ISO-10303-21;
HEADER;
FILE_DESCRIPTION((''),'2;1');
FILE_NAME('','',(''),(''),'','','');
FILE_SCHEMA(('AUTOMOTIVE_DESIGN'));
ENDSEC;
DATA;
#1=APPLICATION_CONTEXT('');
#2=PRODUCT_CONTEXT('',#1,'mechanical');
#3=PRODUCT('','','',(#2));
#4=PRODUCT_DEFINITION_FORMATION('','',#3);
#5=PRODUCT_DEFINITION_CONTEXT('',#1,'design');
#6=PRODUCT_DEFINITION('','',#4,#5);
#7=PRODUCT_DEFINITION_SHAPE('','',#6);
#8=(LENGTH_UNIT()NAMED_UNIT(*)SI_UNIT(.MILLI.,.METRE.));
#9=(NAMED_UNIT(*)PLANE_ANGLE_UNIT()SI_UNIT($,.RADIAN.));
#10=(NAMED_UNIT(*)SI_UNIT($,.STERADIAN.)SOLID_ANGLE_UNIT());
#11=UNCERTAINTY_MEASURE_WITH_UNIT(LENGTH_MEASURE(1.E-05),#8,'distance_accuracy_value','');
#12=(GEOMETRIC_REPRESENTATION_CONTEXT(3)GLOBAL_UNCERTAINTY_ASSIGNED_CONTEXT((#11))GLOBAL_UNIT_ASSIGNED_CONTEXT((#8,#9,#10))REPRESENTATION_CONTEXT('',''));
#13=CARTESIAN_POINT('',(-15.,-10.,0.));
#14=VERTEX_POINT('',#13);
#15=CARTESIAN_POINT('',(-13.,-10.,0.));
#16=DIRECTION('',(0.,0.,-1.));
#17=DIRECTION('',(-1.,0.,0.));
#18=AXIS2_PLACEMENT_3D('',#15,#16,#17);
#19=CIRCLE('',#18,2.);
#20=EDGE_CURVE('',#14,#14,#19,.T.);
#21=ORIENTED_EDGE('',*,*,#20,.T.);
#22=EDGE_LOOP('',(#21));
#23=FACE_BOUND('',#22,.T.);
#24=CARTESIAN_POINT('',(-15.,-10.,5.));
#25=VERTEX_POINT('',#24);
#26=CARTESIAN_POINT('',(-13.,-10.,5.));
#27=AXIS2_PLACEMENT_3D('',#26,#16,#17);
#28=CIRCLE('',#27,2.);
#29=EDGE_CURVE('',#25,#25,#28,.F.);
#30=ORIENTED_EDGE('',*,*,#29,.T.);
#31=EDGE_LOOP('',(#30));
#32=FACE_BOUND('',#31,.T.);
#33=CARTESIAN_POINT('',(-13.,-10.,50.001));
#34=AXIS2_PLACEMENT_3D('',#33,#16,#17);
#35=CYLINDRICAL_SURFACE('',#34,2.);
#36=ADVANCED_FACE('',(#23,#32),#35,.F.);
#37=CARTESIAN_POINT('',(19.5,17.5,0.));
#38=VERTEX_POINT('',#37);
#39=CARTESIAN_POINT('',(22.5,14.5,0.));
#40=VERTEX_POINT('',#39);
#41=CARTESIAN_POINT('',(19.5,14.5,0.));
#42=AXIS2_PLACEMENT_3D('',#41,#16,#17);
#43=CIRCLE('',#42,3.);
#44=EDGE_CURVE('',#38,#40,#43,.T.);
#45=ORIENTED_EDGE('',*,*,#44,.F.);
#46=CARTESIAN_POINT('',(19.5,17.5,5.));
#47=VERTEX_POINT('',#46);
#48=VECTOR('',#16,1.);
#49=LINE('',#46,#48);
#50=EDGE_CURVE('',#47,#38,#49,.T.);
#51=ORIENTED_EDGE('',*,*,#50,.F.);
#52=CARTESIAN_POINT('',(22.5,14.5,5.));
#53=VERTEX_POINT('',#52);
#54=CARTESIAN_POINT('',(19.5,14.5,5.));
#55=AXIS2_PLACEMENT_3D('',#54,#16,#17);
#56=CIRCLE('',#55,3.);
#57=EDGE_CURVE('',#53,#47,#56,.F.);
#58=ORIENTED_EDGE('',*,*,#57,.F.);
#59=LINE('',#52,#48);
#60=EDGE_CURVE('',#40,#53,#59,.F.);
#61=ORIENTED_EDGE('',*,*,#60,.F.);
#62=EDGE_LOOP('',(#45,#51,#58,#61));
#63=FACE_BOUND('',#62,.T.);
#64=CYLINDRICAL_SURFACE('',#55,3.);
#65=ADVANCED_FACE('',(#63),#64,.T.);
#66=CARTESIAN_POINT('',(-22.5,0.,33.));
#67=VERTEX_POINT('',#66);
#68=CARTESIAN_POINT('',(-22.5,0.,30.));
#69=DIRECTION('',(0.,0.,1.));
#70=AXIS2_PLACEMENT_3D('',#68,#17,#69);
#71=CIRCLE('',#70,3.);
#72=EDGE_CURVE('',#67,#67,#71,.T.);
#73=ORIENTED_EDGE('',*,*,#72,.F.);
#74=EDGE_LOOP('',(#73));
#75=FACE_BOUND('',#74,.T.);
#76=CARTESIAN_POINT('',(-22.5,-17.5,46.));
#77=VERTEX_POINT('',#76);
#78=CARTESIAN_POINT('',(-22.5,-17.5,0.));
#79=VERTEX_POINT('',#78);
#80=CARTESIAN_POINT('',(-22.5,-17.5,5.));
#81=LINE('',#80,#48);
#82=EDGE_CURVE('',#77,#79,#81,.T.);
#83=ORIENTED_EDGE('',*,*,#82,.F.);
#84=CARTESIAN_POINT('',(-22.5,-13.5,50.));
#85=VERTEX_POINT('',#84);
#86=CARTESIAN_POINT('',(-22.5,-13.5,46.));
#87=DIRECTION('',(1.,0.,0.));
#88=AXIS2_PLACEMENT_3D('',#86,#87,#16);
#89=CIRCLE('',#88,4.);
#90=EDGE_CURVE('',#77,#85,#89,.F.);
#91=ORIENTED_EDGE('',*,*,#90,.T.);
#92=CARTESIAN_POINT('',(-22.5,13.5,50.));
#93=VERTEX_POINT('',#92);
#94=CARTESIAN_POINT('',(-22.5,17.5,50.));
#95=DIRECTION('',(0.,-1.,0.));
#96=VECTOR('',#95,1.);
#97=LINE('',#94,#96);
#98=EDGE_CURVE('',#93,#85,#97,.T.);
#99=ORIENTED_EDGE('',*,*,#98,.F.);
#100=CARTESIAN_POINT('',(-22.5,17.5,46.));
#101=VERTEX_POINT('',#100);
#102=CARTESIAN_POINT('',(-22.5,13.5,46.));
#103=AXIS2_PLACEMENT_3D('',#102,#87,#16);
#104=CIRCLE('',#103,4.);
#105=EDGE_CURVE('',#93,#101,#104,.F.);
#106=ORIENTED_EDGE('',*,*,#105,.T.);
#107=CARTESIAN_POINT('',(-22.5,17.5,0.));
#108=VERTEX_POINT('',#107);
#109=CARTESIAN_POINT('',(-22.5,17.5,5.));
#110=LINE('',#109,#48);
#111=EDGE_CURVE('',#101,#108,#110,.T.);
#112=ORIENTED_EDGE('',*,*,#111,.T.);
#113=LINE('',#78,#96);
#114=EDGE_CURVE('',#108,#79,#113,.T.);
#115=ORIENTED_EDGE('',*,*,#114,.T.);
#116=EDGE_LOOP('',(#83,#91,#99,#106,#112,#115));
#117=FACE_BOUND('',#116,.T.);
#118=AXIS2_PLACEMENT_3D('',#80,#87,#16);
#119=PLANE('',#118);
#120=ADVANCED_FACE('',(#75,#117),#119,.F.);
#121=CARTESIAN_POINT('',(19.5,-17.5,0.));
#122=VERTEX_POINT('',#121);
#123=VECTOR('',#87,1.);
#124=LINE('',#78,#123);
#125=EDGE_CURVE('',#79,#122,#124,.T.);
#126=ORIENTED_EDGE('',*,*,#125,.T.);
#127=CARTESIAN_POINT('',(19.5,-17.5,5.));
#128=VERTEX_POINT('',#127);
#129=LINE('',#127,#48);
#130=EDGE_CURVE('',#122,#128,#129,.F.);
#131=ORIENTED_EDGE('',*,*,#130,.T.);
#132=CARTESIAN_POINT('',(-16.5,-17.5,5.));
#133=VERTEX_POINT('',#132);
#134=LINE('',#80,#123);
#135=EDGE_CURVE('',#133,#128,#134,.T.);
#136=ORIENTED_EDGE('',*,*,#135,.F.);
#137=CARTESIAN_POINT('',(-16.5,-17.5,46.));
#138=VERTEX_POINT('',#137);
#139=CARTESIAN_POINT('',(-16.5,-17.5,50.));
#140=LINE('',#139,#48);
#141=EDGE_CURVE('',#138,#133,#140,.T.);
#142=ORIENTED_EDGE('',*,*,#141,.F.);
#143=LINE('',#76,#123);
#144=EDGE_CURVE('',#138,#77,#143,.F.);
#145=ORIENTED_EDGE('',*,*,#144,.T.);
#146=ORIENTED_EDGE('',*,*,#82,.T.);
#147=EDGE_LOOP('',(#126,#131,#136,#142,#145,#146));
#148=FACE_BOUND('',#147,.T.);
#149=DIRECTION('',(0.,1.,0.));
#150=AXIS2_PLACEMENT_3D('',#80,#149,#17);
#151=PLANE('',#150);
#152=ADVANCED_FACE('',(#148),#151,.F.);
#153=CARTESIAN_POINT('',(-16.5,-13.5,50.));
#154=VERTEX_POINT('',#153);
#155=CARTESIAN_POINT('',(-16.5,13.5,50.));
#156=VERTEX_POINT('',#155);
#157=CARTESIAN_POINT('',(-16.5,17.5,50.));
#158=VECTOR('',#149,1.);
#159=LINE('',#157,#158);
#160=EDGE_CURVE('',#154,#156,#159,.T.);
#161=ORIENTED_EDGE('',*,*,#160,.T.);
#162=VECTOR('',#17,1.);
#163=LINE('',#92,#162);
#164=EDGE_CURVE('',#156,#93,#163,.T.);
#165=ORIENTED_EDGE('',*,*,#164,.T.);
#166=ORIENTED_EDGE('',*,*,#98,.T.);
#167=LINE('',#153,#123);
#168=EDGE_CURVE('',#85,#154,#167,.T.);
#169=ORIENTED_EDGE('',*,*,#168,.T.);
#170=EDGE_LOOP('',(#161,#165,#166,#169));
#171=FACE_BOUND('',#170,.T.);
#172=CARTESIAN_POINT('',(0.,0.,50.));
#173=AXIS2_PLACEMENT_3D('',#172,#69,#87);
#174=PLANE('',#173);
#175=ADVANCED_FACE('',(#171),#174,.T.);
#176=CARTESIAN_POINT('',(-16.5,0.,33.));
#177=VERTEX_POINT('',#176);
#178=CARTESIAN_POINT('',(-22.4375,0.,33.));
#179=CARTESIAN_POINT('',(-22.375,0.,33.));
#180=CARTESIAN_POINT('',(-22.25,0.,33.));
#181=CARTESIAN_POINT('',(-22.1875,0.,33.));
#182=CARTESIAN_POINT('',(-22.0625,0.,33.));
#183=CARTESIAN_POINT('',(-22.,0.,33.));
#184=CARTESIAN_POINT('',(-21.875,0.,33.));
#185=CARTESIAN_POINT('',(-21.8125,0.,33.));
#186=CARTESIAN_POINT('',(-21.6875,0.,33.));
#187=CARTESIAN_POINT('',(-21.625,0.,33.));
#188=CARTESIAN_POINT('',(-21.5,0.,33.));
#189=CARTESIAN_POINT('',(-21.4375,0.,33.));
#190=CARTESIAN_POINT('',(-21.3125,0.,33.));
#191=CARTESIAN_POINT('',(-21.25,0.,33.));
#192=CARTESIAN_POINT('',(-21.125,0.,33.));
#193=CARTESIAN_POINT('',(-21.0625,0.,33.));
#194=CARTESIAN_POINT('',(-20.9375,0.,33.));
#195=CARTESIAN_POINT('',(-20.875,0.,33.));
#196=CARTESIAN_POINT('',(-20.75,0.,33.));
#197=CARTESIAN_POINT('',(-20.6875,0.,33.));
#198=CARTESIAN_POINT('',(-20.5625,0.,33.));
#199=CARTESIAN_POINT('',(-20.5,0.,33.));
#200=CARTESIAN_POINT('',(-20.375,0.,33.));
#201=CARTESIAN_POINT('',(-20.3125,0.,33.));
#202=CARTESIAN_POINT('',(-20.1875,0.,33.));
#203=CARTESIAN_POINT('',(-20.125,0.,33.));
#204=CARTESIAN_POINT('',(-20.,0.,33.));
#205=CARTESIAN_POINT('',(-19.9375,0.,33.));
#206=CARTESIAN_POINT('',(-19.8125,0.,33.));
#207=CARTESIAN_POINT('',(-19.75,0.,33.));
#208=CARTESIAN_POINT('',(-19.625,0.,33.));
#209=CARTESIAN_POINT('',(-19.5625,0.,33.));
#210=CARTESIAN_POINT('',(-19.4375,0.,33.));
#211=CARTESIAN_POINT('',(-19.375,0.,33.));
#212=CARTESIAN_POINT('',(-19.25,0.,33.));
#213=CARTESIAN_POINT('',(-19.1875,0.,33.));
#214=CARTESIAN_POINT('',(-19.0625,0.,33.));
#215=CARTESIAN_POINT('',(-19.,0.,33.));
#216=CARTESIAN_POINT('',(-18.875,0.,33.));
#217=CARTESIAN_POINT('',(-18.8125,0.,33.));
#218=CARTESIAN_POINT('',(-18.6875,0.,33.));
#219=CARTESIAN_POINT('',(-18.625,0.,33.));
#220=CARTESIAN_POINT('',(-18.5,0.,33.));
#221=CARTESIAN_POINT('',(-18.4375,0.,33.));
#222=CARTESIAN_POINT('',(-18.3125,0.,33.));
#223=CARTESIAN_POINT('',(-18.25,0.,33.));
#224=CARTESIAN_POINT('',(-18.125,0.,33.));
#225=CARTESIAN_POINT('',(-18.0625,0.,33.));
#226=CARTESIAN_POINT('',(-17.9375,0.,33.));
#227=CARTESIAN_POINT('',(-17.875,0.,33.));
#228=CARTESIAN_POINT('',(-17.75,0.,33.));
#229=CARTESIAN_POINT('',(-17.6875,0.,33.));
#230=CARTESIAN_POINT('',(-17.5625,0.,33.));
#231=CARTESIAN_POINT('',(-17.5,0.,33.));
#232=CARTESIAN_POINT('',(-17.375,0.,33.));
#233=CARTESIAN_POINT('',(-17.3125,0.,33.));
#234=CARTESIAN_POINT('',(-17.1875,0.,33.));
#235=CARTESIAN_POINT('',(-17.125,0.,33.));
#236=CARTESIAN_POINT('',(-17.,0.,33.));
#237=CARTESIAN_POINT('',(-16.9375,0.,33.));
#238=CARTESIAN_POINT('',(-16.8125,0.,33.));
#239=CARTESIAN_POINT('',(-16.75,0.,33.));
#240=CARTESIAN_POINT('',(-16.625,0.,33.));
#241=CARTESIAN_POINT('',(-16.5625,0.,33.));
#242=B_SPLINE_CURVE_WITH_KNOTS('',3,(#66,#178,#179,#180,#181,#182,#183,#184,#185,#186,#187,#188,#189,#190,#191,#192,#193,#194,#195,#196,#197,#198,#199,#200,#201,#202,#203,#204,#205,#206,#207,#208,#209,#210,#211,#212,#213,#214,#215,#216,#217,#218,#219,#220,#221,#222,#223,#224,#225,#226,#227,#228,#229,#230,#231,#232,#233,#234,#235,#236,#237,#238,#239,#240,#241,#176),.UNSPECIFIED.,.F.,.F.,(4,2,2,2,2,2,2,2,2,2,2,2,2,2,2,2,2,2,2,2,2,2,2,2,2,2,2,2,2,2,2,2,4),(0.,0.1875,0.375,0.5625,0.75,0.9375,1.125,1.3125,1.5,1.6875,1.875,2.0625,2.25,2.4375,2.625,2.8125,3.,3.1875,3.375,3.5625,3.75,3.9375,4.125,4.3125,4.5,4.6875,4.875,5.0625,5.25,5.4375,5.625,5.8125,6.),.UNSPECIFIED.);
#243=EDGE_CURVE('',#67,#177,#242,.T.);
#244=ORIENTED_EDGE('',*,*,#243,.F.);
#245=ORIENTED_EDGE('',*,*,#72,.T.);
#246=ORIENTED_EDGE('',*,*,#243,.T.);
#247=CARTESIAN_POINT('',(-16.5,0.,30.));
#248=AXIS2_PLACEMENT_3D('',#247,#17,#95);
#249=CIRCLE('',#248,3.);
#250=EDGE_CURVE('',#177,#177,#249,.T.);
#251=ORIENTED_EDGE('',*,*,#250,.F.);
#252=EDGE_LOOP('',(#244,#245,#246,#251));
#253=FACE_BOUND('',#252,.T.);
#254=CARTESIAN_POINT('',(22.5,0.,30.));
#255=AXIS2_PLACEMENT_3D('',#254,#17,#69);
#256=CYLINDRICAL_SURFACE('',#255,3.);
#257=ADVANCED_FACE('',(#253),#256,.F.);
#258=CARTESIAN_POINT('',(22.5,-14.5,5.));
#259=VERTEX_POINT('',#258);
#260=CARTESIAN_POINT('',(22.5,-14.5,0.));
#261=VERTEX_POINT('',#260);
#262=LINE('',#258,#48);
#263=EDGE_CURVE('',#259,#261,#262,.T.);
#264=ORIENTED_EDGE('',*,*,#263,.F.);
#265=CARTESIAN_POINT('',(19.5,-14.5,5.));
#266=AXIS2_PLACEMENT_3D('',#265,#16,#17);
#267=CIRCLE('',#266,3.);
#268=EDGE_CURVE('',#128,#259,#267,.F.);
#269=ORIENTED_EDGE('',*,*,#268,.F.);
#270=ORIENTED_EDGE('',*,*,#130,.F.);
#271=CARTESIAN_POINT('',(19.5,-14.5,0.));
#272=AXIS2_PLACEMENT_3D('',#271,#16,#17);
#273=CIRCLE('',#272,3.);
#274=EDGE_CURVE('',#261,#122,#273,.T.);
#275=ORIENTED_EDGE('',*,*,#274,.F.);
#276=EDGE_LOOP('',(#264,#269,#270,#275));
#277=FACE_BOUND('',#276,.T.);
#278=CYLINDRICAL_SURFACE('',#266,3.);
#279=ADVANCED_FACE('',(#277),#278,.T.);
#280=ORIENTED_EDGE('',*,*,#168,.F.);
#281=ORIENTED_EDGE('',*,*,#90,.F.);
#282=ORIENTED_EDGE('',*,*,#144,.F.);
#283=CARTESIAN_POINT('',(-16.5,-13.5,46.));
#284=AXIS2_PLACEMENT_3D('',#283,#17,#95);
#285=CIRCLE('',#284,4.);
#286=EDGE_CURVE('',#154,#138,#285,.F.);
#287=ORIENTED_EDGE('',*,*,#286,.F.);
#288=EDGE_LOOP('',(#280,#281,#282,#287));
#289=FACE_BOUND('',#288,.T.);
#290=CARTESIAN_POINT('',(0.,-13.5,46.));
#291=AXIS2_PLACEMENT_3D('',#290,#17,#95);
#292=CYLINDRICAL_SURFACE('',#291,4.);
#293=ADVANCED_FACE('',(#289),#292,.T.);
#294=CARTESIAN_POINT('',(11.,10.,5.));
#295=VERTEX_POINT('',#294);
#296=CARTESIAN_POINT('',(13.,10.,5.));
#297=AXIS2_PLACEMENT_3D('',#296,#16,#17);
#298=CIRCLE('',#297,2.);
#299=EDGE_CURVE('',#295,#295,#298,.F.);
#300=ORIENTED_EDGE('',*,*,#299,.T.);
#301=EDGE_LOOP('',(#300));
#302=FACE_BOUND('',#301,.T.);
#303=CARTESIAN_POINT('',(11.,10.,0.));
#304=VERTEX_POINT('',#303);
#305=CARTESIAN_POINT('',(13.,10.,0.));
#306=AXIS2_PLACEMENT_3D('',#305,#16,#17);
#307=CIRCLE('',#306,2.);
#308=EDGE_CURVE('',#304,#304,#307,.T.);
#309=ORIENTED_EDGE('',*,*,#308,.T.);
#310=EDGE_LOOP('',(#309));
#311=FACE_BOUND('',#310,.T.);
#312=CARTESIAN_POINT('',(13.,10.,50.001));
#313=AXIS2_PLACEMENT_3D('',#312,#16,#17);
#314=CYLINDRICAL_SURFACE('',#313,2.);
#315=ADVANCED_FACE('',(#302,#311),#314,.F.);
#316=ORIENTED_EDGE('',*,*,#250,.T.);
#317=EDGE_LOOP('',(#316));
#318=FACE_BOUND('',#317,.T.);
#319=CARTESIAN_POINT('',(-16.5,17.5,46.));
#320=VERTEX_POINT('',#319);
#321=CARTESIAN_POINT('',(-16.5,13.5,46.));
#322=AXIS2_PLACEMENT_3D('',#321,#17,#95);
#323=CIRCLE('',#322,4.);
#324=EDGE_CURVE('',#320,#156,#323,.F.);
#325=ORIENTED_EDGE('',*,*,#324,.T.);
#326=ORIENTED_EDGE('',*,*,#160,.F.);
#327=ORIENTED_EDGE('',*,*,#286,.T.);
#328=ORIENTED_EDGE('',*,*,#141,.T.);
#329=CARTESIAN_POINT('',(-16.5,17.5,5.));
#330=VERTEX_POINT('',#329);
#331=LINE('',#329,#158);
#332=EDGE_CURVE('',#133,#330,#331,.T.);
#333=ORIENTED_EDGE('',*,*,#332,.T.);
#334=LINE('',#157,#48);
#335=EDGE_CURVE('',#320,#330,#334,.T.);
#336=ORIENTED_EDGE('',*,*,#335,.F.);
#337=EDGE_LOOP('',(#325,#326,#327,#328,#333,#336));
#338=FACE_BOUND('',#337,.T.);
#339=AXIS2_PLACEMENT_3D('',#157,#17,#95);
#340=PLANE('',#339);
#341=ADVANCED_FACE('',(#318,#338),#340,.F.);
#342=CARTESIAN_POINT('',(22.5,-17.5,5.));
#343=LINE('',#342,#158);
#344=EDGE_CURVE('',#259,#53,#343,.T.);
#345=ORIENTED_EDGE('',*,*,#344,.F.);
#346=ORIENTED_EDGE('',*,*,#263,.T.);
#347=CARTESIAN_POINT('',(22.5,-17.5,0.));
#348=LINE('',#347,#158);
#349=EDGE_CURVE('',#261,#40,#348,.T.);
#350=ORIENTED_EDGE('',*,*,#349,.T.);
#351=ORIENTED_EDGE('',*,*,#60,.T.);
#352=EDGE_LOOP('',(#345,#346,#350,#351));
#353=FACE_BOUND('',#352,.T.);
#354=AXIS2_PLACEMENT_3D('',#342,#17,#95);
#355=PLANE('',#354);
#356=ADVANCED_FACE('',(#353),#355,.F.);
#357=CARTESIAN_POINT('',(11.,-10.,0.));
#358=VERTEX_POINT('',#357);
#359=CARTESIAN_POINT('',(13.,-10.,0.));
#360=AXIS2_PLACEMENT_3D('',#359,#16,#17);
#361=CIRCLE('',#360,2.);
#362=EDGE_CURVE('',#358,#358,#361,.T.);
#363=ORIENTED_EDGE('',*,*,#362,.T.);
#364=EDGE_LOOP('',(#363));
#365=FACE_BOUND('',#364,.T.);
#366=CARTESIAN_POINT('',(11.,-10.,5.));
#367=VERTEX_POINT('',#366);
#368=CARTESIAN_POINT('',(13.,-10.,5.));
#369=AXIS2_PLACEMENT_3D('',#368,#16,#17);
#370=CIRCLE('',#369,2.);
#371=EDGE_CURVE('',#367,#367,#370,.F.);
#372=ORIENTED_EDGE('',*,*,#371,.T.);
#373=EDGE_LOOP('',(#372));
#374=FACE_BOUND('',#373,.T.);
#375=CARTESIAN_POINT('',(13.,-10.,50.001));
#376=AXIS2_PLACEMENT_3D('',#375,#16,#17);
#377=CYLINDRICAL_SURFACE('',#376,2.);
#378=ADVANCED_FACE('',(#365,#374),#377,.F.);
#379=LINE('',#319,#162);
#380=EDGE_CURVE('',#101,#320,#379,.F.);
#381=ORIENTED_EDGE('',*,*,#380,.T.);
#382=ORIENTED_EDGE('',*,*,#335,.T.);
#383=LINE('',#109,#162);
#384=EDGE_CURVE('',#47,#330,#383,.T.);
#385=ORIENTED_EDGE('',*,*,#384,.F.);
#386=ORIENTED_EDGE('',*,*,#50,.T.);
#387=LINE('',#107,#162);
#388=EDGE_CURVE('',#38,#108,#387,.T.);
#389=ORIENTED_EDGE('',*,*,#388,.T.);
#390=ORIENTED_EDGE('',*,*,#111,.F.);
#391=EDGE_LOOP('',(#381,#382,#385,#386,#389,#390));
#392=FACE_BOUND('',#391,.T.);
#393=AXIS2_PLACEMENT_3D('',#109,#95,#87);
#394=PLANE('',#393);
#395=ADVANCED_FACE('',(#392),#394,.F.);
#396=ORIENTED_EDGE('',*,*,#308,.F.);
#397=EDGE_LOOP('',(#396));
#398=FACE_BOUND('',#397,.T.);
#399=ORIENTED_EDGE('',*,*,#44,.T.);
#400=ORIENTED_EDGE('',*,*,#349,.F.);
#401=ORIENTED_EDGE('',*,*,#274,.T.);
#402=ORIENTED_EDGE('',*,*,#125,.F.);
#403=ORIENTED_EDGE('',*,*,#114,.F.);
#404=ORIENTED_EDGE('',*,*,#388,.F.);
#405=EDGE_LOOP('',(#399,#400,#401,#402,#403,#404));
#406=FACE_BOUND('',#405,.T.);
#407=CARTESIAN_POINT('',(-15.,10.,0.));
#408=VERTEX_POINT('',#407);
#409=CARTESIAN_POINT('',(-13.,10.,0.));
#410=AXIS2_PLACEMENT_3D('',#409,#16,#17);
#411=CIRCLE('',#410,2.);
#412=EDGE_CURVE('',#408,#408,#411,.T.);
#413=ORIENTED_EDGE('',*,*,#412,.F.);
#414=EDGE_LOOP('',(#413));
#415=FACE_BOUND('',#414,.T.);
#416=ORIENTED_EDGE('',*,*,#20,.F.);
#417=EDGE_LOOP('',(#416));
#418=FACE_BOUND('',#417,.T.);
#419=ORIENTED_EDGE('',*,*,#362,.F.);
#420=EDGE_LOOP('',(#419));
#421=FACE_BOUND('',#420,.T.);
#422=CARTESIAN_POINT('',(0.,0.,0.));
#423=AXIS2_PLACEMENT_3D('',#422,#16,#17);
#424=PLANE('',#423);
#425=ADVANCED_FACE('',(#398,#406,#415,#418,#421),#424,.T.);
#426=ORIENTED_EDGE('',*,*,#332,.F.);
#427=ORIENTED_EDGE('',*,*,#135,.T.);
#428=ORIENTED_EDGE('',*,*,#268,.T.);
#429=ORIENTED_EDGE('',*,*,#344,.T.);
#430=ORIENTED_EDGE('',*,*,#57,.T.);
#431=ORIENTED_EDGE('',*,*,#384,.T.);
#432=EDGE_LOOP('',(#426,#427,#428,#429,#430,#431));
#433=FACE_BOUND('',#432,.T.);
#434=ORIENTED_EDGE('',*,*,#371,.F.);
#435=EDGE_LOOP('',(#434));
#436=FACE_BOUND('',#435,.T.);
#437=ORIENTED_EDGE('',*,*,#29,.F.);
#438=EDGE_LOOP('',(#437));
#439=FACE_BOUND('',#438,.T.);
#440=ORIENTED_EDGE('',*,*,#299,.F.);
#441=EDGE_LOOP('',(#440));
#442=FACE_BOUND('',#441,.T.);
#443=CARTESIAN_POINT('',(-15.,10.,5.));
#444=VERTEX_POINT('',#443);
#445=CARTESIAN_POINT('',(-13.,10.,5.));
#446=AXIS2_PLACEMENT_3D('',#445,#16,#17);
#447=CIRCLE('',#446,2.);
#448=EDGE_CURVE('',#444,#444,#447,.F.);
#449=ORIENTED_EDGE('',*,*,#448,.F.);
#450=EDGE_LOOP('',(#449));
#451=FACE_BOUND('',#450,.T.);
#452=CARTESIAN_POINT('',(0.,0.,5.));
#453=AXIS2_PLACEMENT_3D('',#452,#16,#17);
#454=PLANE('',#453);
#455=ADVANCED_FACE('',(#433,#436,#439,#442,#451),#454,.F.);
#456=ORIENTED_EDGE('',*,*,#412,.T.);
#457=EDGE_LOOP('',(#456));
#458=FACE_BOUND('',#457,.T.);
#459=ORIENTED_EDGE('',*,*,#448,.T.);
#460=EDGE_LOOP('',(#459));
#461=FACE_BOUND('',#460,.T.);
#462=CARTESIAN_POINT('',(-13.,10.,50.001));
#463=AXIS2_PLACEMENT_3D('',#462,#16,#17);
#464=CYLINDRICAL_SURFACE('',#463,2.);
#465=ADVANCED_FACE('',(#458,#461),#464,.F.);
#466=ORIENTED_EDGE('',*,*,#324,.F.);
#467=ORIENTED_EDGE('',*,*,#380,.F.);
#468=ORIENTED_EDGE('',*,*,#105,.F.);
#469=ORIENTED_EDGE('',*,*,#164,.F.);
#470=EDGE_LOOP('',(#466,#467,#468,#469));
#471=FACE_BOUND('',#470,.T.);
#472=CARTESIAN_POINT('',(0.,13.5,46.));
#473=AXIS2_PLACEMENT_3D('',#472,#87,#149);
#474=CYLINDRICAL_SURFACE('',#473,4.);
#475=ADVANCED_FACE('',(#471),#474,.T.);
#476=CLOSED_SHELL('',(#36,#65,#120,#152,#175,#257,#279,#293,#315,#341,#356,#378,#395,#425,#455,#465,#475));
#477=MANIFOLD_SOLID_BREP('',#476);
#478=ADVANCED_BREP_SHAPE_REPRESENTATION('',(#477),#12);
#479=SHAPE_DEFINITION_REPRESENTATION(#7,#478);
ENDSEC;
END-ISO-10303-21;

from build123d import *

# Parameters (mm, degrees)
SKETCH_1_W          = 45
SKETCH_1_H          = 35
EXTRUDE_1_DEPTH     = 5
SKETCH_2_W          = 6
SKETCH_2_H          = 35
EXTRUDE_2_DEPTH     = 45
SKETCH_3_R          = 3
CUT_EXTRUDE_1_DEPTH = 70.507193872
FILLET_1_R          = 3
FILLET_2_R          = 4
CUT_EXTRUDE_2_REACH = 59.554
SKETCH_4_R          = 2


with BuildPart() as part:
    # 草图1 → 凸台-拉伸1 (new body)
    with BuildSketch(Plane.XY):
        Rectangle(SKETCH_1_W, SKETCH_1_H)
    extrude(amount=EXTRUDE_1_DEPTH)

    # 草图2 → 凸台-拉伸2 (add)
    with BuildSketch(Plane.XY.offset(5)):
        with Locations((-19.5, 0)):
            Rectangle(SKETCH_2_W, SKETCH_2_H)
    extrude(amount=EXTRUDE_2_DEPTH)

    # 草图3 → 切除-拉伸1 (cut, through all)
    with BuildSketch(Plane.ZY.offset(22.5)):
        with Locations((30, 0)):
            Circle(SKETCH_3_R)
    extrude(amount=-CUT_EXTRUDE_1_DEPTH, mode=Mode.SUBTRACT)

    # 圆角1
    fillet_1_edges = [part.edges().sort_by_distance(p)[0] for p in [
        (22.5, -17.5, 2.5),
        (22.5, 17.5, 2.5),
    ]]
    fillet(fillet_1_edges, radius=FILLET_1_R)

    # 圆角2
    fillet_2_edges = [part.edges().sort_by_distance(p)[0] for p in [
        (-19.5, -17.5, 50),
        (-19.5, 17.5, 50),
    ]]
    fillet(fillet_2_edges, radius=FILLET_2_R)

    # 草图4 → 切除-拉伸2 (cut, up to next)
    with BuildSketch(Plane(origin=(0, 0, 0), x_dir=(-1, 0, 0), z_dir=(0, 0, -1)), mode=Mode.PRIVATE) as cut_extrude_2_sk1:
        with Locations((-13, 10)):
            Circle(SKETCH_4_R)
    cut_extrude_2_tool1 = extrude(cut_extrude_2_sk1.sketch, amount=-CUT_EXTRUDE_2_REACH, mode=Mode.PRIVATE) & part.part
    # 草图4 → 切除-拉伸2 (cut, up to next)
    with BuildSketch(Plane(origin=(0, 0, 0), x_dir=(-1, 0, 0), z_dir=(0, 0, -1)), mode=Mode.PRIVATE) as cut_extrude_2_sk2:
        with Locations((13, 10)):
            Circle(SKETCH_4_R)
    cut_extrude_2_tool2 = extrude(cut_extrude_2_sk2.sketch, amount=-CUT_EXTRUDE_2_REACH, mode=Mode.PRIVATE) & part.part
    # 草图4 → 切除-拉伸2 (cut, up to next)
    with BuildSketch(Plane(origin=(0, 0, 0), x_dir=(-1, 0, 0), z_dir=(0, 0, -1)), mode=Mode.PRIVATE) as cut_extrude_2_sk3:
        with Locations((13, -10)):
            Circle(SKETCH_4_R)
    cut_extrude_2_tool3 = extrude(cut_extrude_2_sk3.sketch, amount=-CUT_EXTRUDE_2_REACH, mode=Mode.PRIVATE) & part.part
    # 草图4 → 切除-拉伸2 (cut, up to next)
    with BuildSketch(Plane(origin=(0, 0, 0), x_dir=(-1, 0, 0), z_dir=(0, 0, -1)), mode=Mode.PRIVATE) as cut_extrude_2_sk4:
        with Locations((-13, -10)):
            Circle(SKETCH_4_R)
    cut_extrude_2_tool4 = extrude(cut_extrude_2_sk4.sketch, amount=-CUT_EXTRUDE_2_REACH, mode=Mode.PRIVATE) & part.part
    add(cut_extrude_2_tool1.solids().sort_by_distance((13, 10, 0))[0], mode=Mode.SUBTRACT)
    add(cut_extrude_2_tool2.solids().sort_by_distance((-13, 10, 0))[0], mode=Mode.SUBTRACT)
    add(cut_extrude_2_tool3.solids().sort_by_distance((-13, -10, 0))[0], mode=Mode.SUBTRACT)
    add(cut_extrude_2_tool4.solids().sort_by_distance((13, -10, 0))[0], mode=Mode.SUBTRACT)


solid = part.part
